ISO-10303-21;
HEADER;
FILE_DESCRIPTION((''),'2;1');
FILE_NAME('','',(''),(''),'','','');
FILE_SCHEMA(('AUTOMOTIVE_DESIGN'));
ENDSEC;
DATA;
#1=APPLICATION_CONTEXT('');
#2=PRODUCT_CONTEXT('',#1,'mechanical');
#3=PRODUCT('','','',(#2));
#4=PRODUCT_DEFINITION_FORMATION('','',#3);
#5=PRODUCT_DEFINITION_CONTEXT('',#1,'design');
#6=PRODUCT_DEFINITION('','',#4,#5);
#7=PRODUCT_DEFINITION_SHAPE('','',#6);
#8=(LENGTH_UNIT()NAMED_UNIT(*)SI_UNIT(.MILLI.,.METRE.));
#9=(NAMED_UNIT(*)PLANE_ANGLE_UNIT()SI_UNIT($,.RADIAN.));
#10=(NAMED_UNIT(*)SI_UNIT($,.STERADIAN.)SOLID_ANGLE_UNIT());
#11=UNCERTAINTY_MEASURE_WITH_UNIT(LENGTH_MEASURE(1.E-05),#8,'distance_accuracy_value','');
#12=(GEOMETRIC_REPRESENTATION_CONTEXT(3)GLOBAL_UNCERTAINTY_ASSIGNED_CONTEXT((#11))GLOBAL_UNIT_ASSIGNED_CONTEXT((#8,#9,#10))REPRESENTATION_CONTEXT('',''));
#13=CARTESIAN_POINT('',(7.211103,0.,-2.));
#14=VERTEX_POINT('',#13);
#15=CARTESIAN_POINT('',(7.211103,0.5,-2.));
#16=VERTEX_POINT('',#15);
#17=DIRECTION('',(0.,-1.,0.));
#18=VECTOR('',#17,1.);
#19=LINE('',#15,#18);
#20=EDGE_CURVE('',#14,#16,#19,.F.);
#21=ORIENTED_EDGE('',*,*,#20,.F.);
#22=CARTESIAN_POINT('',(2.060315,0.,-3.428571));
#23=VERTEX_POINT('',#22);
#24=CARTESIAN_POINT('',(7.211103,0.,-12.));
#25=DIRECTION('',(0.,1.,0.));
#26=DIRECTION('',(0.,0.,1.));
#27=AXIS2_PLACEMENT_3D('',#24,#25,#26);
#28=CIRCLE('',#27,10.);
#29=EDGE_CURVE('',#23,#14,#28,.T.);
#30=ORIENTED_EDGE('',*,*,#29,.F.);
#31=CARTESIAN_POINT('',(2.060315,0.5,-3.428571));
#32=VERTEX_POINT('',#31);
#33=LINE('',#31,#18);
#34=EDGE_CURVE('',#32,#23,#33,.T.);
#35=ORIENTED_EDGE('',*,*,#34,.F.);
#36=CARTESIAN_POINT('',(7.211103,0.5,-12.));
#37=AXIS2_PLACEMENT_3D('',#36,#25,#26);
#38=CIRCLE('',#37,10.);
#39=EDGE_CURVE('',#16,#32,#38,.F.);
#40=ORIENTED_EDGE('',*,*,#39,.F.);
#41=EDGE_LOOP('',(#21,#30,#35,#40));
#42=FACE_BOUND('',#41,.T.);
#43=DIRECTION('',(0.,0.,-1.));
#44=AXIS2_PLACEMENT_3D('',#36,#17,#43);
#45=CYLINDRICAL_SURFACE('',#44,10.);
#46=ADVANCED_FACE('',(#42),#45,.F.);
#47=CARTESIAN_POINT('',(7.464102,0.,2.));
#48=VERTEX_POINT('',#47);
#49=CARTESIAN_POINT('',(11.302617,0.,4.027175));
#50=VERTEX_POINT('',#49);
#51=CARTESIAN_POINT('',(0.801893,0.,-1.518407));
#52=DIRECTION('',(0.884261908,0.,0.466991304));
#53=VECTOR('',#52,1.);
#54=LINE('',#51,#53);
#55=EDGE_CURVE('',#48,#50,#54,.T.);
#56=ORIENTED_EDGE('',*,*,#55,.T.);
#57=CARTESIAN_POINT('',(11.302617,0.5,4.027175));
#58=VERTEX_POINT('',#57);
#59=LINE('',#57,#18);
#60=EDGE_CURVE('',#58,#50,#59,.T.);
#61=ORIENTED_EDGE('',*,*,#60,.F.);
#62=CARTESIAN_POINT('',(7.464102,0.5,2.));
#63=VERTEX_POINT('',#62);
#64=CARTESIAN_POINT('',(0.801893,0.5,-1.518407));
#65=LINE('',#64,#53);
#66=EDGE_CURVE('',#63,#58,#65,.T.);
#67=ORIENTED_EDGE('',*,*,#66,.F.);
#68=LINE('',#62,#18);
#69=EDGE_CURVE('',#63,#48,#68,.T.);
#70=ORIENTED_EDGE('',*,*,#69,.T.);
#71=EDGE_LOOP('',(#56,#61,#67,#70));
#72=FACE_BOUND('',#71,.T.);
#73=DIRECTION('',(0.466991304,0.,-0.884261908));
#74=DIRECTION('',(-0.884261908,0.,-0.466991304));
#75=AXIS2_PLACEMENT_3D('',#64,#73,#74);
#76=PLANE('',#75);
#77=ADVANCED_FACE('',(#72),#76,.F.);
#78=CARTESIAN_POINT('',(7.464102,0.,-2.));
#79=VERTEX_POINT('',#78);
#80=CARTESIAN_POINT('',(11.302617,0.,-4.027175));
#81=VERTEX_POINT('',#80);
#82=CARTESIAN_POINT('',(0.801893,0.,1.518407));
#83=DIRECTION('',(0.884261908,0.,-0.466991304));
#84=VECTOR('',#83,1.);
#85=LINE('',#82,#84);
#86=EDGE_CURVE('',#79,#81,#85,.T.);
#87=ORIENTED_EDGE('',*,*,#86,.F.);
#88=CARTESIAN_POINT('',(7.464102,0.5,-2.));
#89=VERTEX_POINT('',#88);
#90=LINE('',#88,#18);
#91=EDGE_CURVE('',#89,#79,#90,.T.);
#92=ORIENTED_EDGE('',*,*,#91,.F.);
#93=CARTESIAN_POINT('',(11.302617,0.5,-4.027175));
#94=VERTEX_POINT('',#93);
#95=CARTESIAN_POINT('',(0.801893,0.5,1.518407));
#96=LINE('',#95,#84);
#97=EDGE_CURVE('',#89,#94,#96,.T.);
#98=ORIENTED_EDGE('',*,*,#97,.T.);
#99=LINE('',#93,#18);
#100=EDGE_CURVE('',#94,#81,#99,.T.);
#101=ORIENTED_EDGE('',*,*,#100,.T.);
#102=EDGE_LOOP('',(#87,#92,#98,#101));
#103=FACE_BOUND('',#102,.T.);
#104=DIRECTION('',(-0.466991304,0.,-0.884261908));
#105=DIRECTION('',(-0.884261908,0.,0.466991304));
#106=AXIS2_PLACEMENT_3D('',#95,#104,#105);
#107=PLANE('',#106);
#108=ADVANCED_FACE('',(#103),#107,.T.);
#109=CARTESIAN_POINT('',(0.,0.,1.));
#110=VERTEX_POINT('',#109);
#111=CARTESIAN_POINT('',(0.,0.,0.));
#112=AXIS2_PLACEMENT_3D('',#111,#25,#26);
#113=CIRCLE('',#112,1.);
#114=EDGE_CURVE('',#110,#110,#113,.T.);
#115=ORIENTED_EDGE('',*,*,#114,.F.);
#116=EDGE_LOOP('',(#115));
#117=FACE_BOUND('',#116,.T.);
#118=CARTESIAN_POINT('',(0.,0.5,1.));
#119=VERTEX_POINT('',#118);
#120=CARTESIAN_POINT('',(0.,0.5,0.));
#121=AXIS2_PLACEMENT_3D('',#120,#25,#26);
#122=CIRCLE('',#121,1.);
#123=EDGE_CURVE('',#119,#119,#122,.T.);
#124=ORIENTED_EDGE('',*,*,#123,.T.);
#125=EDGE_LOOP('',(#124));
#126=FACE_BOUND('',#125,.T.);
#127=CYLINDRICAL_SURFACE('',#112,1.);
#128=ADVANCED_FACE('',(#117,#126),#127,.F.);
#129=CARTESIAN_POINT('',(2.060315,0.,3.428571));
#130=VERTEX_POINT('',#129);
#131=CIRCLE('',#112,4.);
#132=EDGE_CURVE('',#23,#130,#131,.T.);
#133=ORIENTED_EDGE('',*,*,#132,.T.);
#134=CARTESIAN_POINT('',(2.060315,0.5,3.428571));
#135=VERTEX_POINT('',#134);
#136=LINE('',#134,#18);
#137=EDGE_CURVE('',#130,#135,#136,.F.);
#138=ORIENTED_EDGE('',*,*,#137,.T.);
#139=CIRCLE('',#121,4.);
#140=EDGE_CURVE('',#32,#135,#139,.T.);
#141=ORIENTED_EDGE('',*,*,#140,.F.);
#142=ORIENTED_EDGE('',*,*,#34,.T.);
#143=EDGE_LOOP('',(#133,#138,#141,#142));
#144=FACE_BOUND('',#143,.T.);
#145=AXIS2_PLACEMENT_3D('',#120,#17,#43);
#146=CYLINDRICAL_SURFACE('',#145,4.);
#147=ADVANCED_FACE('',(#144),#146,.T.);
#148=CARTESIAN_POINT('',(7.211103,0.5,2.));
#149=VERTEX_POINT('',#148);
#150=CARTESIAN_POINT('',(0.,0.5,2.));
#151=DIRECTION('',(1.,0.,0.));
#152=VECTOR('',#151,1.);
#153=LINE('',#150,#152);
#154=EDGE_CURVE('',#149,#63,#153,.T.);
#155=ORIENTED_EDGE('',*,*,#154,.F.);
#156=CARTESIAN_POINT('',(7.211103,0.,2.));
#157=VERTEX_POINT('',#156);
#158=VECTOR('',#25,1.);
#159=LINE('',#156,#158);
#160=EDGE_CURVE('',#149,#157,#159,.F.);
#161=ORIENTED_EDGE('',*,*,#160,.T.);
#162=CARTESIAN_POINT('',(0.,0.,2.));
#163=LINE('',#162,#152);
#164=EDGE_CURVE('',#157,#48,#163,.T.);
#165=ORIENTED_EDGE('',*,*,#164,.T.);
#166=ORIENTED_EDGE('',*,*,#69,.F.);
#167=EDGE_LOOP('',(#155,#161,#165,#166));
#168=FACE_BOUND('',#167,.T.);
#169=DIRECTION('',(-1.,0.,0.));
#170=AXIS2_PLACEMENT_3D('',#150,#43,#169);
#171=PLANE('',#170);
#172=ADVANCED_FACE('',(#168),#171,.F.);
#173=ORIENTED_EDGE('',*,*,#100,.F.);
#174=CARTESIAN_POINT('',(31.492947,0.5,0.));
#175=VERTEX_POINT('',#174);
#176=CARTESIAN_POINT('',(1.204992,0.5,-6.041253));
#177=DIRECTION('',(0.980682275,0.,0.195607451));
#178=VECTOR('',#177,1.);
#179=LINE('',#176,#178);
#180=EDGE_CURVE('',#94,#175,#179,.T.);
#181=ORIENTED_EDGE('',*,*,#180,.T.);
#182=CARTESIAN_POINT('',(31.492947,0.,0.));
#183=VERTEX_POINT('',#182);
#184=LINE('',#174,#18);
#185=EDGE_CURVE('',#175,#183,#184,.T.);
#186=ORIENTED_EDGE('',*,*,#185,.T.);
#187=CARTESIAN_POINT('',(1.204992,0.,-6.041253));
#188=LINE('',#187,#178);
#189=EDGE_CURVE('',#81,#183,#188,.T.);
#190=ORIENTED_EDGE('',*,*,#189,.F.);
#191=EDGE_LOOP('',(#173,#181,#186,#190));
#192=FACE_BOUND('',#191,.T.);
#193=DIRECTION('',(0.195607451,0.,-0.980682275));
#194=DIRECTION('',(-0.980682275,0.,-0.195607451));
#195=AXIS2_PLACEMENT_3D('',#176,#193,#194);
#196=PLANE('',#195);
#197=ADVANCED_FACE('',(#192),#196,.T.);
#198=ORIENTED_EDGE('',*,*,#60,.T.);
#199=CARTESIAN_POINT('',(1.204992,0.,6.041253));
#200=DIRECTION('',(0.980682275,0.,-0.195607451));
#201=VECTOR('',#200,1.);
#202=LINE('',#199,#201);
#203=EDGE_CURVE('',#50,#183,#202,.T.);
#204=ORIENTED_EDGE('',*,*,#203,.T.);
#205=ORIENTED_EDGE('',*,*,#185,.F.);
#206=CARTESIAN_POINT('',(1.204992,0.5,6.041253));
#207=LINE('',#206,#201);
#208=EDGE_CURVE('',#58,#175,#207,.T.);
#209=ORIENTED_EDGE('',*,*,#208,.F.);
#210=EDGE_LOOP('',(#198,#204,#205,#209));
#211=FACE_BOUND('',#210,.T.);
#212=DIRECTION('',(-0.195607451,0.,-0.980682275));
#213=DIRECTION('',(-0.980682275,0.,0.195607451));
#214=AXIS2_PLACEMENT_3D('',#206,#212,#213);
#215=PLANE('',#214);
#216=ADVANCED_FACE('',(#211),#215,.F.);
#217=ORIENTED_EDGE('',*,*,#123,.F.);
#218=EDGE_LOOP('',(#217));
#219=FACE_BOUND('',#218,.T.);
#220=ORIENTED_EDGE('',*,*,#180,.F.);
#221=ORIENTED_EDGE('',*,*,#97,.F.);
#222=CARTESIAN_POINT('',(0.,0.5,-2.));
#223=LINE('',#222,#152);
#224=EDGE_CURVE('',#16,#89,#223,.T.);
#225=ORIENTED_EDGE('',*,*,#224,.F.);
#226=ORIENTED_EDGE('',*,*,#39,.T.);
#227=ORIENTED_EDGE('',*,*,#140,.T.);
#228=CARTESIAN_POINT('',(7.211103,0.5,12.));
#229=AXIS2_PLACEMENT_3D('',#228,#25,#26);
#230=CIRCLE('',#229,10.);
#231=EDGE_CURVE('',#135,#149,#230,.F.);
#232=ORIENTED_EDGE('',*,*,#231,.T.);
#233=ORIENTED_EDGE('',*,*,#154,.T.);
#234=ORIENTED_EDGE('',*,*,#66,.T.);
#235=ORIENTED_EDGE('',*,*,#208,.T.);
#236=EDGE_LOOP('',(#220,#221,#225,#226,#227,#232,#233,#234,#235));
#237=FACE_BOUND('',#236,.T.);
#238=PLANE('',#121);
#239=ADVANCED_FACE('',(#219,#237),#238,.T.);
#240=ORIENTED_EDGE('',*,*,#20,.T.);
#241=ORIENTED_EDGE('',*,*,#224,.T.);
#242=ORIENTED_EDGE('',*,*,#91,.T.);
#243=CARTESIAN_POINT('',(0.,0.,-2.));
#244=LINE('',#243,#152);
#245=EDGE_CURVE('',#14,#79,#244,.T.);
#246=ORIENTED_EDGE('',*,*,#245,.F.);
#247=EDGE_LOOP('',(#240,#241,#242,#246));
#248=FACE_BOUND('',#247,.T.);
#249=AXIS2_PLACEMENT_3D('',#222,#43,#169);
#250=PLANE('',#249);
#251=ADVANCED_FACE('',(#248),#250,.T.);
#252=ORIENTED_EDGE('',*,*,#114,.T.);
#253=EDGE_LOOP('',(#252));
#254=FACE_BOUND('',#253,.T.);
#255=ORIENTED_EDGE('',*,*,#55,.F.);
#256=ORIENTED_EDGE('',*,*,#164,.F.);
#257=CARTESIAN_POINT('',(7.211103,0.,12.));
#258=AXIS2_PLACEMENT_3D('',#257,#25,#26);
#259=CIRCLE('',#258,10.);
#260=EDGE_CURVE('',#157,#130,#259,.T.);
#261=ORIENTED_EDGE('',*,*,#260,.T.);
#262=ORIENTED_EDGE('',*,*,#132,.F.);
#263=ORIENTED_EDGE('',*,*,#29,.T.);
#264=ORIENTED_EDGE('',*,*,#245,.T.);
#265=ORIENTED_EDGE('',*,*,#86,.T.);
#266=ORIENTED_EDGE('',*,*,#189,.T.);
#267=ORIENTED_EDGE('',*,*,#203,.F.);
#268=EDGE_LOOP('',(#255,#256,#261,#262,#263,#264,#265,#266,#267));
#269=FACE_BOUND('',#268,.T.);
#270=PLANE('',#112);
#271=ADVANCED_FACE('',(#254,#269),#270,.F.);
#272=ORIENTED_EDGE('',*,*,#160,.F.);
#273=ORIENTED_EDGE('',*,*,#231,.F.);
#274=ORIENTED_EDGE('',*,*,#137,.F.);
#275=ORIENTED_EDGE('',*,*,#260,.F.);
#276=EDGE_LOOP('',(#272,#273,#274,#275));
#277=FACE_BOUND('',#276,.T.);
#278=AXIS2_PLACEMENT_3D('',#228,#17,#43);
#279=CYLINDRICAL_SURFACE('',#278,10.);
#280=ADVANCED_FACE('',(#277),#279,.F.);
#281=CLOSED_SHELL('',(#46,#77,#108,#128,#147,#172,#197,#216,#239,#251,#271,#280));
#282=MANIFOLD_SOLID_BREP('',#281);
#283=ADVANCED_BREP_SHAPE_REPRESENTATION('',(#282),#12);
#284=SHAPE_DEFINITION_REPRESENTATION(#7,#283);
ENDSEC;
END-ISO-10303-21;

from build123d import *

# Parameters (mm, degrees)
SKETCH1_R           = 4
BOSS_EXTRUDE2_DEPTH = 0.5
FILLET1_R           = 10
SKETCH3_R           = 1
CUT_EXTRUDE2_DEPTH  = 1.5


with BuildPart() as part:
    # Sketch1 → Boss-Extrude2 (new body)
    with BuildSketch(Plane(origin=(0, 0, 0), x_dir=(1, 0, 0), z_dir=(0, 1, 0))):
        with BuildLine():
            Line((7.464101615, 2), (3.464101615, 2))
            ThreePointArc((3.464101615, 2), (3.863703305, 1.03527618), (4, 0))
            ThreePointArc((4, 0), (3.863703305, -1.03527618), (3.464101615, -2))
            Line((3.464101615, -2), (7.464101615, -2))
            Line((7.464101615, -2), (11.302617333, -4.027174803))
            Line((11.302617333, -4.027174803), (31.492947109, 0))
            Line((31.492947109, 0), (11.302617333, 4.027174803))
            Line((11.302617333, 4.027174803), (7.464101615, 2))
        make_face()
        Circle(SKETCH1_R)
    extrude(amount=BOSS_EXTRUDE2_DEPTH)

    # Fillet1
    fillet1_edges = [part.edges().sort_by_distance(p)[0] for p in [
        (3.464101615, 0.25, 2),
        (3.464101615, 0.25, -2),
    ]]
    fillet(fillet1_edges, radius=FILLET1_R)

    # Sketch3 → Cut-Extrude2 (cut, through all)
    with BuildSketch(Plane(origin=(0, 0.5, 0), x_dir=(1, 0, 0), z_dir=(0, 1, 0))):
        Circle(SKETCH3_R)
    extrude(amount=-CUT_EXTRUDE2_DEPTH, mode=Mode.SUBTRACT)


solid = part.part
